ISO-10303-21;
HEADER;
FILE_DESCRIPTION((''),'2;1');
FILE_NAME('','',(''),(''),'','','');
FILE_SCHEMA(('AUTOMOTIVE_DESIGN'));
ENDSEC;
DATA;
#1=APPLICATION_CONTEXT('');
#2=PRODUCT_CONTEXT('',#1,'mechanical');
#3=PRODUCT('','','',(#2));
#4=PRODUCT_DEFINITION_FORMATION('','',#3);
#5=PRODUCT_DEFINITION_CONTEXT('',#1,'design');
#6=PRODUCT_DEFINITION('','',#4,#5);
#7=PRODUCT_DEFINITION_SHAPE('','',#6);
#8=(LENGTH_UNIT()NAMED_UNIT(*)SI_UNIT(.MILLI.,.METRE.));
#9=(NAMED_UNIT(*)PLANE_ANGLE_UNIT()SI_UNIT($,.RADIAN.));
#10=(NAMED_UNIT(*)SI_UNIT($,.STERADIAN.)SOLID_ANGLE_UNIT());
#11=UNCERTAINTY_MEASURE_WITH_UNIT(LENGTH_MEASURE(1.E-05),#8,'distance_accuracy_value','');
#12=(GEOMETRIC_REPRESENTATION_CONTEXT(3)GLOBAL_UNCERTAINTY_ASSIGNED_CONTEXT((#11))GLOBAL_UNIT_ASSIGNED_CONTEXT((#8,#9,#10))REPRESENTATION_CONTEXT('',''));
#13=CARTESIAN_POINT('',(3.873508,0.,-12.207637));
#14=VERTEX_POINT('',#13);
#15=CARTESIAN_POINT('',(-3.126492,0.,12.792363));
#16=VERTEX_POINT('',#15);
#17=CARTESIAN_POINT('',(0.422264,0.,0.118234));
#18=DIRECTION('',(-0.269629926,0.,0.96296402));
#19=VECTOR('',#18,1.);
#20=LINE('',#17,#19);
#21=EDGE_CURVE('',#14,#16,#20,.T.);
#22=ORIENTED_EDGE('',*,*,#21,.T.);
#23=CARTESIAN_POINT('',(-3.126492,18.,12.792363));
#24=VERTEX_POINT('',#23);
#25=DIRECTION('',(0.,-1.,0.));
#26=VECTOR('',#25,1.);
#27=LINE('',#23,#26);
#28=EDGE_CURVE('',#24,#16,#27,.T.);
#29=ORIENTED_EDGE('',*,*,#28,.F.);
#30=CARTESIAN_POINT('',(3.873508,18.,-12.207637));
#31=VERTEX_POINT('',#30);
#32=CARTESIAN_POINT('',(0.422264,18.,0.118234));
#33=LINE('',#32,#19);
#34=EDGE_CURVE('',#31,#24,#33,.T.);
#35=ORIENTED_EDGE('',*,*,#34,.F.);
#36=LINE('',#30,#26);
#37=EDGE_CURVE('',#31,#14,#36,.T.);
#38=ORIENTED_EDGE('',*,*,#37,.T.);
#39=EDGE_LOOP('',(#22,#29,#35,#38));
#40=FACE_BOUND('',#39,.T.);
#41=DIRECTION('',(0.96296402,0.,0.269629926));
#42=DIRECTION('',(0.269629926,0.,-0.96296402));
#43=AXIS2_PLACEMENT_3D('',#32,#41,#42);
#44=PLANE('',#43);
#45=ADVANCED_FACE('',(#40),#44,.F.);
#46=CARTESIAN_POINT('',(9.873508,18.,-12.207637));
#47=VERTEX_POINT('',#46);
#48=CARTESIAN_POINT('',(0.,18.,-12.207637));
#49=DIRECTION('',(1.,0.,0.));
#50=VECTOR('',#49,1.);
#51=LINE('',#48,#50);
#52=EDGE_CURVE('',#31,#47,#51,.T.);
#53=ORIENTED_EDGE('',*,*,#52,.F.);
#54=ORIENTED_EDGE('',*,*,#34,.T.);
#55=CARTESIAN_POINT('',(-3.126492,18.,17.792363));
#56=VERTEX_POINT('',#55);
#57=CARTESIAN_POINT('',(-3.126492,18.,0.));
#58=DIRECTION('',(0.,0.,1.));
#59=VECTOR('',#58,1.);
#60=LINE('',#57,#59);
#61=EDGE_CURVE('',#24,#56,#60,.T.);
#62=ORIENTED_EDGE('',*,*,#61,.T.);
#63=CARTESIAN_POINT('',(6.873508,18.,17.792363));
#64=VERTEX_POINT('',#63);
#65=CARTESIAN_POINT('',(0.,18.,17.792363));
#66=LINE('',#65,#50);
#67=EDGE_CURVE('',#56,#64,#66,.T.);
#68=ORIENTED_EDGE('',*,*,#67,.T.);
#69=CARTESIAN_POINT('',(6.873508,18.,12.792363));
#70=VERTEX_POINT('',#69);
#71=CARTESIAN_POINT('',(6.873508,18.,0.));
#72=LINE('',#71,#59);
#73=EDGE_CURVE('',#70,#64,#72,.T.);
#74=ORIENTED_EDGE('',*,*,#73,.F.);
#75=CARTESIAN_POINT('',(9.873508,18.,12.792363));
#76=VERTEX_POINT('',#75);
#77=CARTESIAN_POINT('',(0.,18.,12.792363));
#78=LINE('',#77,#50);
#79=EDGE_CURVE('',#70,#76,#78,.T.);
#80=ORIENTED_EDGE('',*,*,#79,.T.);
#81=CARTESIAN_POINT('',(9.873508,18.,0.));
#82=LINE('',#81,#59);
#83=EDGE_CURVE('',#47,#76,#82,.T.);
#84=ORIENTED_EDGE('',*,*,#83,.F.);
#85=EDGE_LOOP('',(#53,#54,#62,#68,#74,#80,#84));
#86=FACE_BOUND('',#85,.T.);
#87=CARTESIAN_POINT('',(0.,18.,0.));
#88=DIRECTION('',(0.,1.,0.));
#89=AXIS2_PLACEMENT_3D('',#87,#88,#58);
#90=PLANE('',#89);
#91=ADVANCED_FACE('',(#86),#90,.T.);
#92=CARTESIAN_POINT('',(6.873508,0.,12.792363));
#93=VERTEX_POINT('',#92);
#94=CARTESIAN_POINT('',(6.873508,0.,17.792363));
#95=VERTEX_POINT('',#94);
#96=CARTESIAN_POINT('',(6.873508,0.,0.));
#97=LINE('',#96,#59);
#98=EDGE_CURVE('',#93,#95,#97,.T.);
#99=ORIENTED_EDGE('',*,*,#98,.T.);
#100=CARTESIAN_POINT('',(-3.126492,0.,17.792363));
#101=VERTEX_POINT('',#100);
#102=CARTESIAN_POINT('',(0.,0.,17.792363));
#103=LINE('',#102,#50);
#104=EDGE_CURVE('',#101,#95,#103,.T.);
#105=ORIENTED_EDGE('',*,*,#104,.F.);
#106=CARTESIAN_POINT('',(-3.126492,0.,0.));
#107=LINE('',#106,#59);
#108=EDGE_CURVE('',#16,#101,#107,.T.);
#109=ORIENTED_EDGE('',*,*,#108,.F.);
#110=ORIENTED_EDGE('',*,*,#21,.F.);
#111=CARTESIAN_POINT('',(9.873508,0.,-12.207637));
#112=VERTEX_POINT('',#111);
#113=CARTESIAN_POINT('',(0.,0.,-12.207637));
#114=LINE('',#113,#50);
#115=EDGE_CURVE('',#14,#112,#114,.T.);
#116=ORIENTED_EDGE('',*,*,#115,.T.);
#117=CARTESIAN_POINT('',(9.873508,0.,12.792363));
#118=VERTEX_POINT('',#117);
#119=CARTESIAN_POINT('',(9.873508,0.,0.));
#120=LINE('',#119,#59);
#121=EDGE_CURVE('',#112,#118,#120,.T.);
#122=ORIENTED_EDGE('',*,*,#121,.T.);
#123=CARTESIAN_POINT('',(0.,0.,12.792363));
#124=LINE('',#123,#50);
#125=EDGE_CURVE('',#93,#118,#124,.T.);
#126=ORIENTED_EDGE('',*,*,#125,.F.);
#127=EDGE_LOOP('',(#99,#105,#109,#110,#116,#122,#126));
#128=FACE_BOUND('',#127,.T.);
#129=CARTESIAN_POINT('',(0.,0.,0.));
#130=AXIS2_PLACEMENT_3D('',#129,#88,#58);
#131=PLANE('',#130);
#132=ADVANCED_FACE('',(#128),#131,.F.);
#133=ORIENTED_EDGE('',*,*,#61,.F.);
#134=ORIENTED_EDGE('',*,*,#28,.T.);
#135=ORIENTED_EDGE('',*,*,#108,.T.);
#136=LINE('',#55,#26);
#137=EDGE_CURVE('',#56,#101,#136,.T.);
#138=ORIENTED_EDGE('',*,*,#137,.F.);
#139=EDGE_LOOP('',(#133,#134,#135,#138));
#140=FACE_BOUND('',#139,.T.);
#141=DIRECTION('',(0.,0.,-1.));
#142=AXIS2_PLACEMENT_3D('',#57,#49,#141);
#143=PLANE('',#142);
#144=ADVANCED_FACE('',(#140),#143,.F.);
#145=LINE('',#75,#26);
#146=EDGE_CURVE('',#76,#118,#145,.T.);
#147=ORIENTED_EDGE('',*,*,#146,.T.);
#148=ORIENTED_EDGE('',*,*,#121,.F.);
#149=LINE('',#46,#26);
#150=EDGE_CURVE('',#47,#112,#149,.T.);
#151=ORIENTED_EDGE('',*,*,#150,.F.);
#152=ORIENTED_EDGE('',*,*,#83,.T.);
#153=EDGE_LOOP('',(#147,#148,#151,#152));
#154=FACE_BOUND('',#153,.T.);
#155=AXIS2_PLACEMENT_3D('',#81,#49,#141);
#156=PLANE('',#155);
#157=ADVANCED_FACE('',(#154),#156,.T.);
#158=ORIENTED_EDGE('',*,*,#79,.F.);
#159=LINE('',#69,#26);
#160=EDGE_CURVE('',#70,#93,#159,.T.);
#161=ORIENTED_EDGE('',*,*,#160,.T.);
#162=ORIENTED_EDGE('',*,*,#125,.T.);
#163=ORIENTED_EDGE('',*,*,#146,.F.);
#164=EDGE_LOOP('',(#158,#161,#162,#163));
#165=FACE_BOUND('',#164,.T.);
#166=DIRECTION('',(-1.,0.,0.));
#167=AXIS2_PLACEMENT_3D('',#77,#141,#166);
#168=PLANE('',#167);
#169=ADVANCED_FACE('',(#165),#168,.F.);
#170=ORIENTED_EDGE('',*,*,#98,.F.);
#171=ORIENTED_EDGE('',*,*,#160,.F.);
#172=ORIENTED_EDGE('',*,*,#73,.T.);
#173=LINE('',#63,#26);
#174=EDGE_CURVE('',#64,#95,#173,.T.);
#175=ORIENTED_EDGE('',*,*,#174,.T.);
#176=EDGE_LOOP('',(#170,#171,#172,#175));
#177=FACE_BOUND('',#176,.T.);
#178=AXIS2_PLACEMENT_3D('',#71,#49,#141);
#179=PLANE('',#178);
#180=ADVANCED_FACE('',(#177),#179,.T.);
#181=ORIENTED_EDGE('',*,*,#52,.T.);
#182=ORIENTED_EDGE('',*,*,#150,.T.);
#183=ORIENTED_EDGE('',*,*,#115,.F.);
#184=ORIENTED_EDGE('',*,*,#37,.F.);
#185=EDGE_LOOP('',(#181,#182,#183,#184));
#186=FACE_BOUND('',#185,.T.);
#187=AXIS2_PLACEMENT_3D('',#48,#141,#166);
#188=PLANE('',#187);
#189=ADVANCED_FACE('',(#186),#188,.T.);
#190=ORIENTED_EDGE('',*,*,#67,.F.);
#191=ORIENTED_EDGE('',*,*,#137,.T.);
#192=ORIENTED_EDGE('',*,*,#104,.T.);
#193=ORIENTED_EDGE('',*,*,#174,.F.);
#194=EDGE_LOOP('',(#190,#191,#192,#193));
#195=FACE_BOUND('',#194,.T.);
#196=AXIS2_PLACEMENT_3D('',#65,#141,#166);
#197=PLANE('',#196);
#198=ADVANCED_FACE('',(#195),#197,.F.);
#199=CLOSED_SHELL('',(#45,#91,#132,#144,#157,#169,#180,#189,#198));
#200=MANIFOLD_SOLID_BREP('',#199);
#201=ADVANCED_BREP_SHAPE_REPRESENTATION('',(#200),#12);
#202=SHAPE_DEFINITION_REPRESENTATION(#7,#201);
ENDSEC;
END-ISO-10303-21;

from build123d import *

# Parameters (mm, degrees)
BOSS_EXTRU_1_DEPTH = 18


with BuildPart() as part:
    # Esquisse1 → Boss.-Extru.1 (new body)
    with BuildSketch(Plane(origin=(0, 0, 0), x_dir=(1, 0, 0), z_dir=(0, 1, 0))):
        Polygon((9.873508353, 12.207637232), (9.873508353, -12.792362768), (6.873508353, -12.792362768), (6.873508353, -17.792362768), (-3.126491647, -17.792362768), (-3.126491647, -12.792362768), (3.873508353, 12.207637232), (6.873508353, 12.207637232), align=None)
    extrude(amount=BOSS_EXTRU_1_DEPTH)


solid = part.part
